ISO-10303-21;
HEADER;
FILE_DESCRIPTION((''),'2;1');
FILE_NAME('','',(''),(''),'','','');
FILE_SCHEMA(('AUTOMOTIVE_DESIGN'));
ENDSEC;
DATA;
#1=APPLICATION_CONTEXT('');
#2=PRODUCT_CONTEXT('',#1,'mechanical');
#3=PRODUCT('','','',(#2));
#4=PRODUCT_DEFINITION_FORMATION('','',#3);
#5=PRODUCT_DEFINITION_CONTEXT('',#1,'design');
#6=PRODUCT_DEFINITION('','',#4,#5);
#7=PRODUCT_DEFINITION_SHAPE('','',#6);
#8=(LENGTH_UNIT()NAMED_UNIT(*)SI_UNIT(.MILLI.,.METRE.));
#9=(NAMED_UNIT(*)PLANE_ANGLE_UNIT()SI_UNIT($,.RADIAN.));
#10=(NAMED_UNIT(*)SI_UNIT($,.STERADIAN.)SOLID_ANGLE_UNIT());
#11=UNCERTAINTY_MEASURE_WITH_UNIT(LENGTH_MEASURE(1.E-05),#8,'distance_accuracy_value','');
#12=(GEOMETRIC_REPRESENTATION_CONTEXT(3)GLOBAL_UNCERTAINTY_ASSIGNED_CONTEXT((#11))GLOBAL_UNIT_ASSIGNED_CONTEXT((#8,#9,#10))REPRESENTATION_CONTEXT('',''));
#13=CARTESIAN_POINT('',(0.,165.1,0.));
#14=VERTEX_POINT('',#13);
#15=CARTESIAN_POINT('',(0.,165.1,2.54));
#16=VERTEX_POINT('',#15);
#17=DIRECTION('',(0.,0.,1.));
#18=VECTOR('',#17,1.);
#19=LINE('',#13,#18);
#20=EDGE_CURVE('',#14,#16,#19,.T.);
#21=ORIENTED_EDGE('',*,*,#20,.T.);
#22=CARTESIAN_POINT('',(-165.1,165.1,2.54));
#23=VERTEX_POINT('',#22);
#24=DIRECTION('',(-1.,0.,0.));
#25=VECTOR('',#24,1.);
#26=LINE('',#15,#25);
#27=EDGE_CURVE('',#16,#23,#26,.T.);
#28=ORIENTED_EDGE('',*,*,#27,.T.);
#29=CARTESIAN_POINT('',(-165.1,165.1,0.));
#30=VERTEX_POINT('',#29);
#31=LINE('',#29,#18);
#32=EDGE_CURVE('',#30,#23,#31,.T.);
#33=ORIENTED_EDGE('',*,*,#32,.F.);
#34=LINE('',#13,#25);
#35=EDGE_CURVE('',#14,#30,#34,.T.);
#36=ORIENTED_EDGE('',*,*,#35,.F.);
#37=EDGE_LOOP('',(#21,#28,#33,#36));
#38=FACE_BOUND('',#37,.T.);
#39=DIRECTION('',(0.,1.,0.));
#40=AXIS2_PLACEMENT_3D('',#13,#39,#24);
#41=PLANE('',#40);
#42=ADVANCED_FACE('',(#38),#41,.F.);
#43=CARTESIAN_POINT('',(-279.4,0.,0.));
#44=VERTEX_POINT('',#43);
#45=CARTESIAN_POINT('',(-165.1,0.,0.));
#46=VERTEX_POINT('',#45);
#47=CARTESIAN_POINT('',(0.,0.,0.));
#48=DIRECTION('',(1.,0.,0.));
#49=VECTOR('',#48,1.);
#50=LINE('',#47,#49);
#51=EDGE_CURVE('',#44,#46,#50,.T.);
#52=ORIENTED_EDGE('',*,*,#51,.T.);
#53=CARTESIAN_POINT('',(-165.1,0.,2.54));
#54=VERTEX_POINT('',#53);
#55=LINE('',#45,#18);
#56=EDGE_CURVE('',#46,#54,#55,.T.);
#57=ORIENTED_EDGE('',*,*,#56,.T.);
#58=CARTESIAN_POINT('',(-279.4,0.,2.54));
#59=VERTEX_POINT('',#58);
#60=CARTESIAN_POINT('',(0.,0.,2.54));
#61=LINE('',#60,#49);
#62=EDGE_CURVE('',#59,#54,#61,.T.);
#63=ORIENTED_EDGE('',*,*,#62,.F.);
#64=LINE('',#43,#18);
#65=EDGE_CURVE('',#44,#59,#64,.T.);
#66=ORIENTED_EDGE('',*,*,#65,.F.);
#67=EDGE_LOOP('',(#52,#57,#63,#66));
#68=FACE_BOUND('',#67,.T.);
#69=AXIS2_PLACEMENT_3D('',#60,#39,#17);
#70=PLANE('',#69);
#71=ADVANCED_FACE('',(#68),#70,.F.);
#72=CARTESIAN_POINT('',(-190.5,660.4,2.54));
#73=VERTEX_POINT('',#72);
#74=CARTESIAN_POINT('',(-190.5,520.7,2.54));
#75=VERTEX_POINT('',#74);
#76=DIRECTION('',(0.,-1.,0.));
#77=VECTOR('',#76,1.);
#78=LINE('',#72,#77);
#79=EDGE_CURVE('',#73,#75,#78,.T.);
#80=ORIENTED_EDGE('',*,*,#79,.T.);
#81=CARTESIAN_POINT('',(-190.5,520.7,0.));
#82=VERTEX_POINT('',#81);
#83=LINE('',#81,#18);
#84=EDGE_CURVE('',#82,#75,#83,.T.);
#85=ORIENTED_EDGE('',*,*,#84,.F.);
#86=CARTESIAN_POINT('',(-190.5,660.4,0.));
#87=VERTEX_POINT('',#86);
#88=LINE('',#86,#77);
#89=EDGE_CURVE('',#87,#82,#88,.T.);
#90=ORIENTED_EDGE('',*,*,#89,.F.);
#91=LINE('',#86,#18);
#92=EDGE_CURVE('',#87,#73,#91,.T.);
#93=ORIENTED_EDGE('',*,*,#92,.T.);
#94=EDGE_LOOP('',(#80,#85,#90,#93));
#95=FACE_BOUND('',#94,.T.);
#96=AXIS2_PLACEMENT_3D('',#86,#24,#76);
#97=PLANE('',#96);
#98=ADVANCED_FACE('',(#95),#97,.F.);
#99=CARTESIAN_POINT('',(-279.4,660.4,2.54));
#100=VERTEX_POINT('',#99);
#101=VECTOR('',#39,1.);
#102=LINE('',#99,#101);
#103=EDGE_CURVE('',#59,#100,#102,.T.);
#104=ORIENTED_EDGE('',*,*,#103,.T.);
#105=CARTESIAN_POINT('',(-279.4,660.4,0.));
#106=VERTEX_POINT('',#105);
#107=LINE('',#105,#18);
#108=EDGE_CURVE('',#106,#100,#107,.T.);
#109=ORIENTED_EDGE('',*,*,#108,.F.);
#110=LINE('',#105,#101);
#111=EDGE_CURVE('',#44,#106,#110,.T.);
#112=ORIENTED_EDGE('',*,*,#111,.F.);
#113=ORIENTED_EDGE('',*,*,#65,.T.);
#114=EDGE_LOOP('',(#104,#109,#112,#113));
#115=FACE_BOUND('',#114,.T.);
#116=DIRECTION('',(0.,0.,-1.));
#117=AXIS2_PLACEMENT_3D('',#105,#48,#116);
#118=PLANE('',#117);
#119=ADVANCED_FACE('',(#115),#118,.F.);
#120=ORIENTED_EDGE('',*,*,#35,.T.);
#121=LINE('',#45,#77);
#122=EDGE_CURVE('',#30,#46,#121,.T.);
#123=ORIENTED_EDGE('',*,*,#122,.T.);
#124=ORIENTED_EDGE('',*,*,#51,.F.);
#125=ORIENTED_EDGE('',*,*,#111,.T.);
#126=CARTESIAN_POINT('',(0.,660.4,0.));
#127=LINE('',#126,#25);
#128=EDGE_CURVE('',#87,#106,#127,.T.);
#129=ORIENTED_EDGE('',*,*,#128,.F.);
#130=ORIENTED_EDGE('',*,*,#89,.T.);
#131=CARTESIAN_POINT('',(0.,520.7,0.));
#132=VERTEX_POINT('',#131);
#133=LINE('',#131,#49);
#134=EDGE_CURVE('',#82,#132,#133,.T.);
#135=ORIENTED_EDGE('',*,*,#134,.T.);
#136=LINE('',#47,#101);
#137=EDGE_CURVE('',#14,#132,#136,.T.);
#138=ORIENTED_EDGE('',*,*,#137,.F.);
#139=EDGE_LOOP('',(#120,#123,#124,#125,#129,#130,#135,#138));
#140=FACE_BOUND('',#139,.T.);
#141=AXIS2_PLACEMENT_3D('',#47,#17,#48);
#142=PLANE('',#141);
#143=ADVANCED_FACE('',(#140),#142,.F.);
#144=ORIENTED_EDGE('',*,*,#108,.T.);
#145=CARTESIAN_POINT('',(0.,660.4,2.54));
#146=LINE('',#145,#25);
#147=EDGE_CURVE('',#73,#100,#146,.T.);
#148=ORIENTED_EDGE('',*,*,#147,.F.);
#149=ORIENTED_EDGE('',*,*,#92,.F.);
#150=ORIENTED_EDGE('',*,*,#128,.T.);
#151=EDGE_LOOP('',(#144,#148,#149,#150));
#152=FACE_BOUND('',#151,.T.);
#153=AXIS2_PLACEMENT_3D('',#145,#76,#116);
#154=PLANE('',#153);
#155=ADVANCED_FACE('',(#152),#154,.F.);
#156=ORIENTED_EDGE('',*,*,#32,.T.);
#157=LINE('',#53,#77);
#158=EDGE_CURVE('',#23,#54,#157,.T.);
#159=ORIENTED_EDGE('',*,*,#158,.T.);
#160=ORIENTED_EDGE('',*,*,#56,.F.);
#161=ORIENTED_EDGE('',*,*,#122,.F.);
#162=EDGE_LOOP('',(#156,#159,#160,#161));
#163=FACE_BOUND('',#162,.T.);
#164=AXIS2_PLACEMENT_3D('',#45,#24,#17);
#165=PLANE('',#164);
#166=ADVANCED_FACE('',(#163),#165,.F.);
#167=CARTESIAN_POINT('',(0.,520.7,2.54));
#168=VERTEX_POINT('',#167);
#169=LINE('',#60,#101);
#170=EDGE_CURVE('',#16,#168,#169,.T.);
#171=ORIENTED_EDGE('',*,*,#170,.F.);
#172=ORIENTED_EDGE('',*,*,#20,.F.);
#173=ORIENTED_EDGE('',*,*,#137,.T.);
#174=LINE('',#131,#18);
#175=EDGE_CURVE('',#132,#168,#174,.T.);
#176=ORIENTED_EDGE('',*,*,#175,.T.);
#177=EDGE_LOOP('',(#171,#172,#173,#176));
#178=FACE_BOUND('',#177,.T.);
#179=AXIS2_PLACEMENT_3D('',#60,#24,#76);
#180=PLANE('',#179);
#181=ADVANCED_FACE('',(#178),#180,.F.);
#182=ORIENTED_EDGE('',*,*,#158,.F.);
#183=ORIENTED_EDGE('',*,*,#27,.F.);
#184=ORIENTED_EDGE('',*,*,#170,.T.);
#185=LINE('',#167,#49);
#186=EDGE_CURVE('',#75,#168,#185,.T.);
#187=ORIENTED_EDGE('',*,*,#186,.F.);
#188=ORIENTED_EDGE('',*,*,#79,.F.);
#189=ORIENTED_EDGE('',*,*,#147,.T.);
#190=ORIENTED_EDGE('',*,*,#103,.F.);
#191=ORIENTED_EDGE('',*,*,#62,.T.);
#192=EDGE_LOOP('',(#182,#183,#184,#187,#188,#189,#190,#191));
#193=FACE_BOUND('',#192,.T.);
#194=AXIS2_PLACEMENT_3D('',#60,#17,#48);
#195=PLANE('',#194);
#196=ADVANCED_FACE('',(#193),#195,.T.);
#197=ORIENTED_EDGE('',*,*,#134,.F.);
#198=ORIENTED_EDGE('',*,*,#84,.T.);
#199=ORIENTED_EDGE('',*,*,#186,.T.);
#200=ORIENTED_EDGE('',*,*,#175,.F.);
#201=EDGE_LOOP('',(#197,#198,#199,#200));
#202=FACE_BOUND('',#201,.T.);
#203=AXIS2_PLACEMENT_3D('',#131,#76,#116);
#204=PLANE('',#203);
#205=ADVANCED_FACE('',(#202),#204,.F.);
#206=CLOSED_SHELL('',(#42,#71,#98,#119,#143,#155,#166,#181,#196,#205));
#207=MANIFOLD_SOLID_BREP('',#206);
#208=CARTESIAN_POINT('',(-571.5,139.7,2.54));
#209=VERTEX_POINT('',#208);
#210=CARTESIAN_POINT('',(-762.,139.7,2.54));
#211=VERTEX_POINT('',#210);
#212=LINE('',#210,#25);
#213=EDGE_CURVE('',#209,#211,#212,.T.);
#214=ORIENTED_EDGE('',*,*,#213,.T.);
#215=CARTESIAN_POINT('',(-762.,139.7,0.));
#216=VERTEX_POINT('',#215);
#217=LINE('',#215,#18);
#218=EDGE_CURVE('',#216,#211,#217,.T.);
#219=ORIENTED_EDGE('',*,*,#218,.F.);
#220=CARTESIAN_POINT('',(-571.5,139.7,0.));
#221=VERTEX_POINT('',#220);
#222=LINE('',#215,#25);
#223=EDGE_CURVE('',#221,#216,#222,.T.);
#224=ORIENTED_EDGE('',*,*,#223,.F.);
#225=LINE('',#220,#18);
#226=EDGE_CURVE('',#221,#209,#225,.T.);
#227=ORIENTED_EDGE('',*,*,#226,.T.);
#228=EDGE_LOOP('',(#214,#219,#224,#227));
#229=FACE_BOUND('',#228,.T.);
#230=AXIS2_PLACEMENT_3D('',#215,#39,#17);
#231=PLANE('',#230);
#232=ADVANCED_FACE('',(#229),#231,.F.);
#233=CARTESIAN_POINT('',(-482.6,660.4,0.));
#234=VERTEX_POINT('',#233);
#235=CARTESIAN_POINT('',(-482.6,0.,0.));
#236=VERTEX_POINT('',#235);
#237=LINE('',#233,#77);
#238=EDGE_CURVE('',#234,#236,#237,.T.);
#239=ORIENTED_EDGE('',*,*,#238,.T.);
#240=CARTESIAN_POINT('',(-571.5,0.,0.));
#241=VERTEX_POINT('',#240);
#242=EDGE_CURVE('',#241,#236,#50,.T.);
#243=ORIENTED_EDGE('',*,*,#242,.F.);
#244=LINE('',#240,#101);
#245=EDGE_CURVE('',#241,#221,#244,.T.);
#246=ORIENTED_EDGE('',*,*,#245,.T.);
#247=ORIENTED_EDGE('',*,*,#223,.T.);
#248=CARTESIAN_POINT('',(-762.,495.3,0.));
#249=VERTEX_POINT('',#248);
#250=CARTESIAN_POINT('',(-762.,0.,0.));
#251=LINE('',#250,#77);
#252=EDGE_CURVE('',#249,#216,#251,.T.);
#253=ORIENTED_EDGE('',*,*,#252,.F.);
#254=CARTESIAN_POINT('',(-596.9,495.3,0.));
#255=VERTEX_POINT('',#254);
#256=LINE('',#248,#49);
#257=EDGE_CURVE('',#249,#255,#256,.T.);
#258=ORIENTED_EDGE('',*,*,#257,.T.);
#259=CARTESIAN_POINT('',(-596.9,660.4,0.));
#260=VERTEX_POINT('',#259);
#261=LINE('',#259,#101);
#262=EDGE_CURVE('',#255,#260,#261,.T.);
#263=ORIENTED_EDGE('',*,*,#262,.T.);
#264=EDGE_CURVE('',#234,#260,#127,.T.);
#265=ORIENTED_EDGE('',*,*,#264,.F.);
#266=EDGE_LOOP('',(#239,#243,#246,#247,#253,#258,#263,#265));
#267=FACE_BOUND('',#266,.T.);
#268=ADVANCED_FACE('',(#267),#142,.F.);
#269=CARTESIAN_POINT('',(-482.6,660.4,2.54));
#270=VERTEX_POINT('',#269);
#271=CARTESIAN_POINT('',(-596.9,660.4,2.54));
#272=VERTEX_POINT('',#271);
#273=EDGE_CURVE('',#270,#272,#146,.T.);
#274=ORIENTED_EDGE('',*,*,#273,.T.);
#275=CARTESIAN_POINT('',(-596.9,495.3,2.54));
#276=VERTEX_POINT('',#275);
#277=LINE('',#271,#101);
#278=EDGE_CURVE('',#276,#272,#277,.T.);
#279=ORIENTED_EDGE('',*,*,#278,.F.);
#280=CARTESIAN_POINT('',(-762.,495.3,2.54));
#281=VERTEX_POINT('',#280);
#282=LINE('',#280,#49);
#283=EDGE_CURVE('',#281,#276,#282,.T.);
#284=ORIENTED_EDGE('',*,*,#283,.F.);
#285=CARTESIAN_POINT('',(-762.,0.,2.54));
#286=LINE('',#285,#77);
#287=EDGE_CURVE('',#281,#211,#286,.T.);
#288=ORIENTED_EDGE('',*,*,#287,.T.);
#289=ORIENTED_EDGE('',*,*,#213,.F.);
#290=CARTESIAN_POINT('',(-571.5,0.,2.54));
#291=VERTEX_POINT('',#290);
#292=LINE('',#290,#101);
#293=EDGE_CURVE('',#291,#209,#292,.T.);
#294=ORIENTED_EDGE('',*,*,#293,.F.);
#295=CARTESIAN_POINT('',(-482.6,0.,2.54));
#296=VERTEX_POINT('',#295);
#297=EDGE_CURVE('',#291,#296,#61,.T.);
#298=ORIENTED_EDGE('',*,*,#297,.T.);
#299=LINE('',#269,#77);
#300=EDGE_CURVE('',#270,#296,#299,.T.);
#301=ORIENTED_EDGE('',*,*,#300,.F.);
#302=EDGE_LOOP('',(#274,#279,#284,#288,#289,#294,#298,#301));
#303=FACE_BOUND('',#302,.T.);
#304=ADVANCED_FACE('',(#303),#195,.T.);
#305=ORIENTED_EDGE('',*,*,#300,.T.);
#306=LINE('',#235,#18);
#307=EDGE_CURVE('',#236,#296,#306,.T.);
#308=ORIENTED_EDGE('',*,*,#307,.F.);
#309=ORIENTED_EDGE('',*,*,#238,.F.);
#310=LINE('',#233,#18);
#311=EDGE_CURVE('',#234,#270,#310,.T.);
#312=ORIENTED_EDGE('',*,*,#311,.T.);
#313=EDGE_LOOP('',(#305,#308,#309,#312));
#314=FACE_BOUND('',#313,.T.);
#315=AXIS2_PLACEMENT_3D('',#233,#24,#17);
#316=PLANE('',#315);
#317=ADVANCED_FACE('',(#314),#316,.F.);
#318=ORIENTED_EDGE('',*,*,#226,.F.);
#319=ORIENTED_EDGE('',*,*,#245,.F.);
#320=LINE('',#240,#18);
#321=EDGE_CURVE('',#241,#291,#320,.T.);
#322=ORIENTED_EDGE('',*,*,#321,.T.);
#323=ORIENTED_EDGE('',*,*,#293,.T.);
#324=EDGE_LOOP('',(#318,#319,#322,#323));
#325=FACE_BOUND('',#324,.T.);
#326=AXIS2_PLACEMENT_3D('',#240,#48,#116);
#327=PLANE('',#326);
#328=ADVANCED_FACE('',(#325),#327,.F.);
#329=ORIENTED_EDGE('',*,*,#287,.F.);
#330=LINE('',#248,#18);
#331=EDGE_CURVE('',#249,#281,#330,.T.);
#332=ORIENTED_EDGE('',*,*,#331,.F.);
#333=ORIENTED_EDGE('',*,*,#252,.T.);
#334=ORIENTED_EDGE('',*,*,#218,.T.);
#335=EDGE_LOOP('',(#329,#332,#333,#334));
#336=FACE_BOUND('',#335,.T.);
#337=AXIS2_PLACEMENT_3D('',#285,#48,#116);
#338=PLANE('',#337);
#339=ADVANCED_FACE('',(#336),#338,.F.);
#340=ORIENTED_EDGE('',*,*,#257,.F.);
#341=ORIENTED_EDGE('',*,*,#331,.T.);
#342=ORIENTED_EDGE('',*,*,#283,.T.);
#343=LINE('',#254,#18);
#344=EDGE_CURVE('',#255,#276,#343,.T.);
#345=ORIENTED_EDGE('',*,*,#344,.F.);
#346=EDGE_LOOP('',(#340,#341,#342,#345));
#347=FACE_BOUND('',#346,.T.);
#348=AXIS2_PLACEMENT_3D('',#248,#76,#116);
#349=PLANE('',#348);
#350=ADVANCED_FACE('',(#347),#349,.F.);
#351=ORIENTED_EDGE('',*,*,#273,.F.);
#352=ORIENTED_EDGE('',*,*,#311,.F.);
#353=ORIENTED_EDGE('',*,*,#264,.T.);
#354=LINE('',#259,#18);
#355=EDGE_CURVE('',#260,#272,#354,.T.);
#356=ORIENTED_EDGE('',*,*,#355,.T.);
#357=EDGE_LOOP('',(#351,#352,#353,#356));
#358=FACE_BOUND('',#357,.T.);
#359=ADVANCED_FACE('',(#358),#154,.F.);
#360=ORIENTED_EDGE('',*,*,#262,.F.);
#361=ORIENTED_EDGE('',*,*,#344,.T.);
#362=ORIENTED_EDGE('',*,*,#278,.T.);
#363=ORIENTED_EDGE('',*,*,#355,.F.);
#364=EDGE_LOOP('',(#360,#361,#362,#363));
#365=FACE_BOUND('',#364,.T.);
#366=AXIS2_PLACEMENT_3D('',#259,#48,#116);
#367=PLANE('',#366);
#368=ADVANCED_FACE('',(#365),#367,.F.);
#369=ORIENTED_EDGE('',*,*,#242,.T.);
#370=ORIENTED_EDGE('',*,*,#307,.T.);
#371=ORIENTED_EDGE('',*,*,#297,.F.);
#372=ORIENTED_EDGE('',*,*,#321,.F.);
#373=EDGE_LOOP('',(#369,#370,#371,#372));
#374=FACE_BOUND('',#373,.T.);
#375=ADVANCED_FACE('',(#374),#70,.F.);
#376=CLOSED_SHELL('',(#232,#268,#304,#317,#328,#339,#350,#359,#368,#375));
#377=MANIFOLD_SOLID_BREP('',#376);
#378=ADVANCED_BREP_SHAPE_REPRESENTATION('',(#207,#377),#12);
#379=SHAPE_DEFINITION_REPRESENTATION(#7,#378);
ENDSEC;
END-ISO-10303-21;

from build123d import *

# Parameters (mm, degrees)
SKETCH1_W           = 762
SKETCH1_H           = 660.4
BOSS_EXTRUDE1_DEPTH = 2.54
SKETCH2_W           = 165.1
SKETCH2_H           = 165.1
SKETCH2_W_2         = 190.5
SKETCH2_H_2         = 139.7
CUT_EXTRUDE1_DEPTH  = 1009.354407736
SKETCH3_W           = 203.2
SKETCH3_H           = 660.4
CUT_EXTRUDE2_DEPTH  = 1009.354407736


with BuildPart() as part:
    # Sketch1 → Boss-Extrude1 (new body)
    with BuildSketch(Plane.XY):
        with Locations((-381, 330.2)):
            Rectangle(SKETCH1_W, SKETCH1_H)
    extrude(amount=BOSS_EXTRUDE1_DEPTH)

    # Sketch2 → Cut-Extrude1 (cut, through all)
    with BuildSketch(Plane.XY.offset(2.54)):
        with Locations((-679.45, 577.85)):
            Rectangle(SKETCH2_W, SKETCH2_H)
        with Locations((-95.25, 590.55)):
            Rectangle(SKETCH2_W_2, SKETCH2_H_2)
        with Locations((-82.55, 82.55)):
            Rectangle(SKETCH2_W, SKETCH2_H)
        with Locations((-666.75, 69.85)):
            Rectangle(SKETCH2_W_2, SKETCH2_H_2)
    extrude(amount=-CUT_EXTRUDE1_DEPTH, mode=Mode.SUBTRACT)

    # Sketch3 → Cut-Extrude2 (cut, through all)
    with BuildSketch(Plane.XY.offset(2.54)):
        with Locations((-381, 330.2)):
            Rectangle(SKETCH3_W, SKETCH3_H)
    extrude(amount=-CUT_EXTRUDE2_DEPTH, mode=Mode.SUBTRACT)


with BuildPart() as cut_extrude2_piece_1:
    # of the separate pieces the step leaves, piece 1, a body of its own (cut_extrude2_pieces)
    add(part.part.solids().sort_by_distance((-482.6, 0, 0))[0])


with BuildPart() as cut_extrude2_piece_2:
    # of the separate pieces the step leaves, piece 2, a body of its own (cut_extrude2_pieces)
    add(part.part.solids().sort_by_distance((-165.1, 0, 0))[0])


solid = Compound([cut_extrude2_piece_1.part, cut_extrude2_piece_2.part])
